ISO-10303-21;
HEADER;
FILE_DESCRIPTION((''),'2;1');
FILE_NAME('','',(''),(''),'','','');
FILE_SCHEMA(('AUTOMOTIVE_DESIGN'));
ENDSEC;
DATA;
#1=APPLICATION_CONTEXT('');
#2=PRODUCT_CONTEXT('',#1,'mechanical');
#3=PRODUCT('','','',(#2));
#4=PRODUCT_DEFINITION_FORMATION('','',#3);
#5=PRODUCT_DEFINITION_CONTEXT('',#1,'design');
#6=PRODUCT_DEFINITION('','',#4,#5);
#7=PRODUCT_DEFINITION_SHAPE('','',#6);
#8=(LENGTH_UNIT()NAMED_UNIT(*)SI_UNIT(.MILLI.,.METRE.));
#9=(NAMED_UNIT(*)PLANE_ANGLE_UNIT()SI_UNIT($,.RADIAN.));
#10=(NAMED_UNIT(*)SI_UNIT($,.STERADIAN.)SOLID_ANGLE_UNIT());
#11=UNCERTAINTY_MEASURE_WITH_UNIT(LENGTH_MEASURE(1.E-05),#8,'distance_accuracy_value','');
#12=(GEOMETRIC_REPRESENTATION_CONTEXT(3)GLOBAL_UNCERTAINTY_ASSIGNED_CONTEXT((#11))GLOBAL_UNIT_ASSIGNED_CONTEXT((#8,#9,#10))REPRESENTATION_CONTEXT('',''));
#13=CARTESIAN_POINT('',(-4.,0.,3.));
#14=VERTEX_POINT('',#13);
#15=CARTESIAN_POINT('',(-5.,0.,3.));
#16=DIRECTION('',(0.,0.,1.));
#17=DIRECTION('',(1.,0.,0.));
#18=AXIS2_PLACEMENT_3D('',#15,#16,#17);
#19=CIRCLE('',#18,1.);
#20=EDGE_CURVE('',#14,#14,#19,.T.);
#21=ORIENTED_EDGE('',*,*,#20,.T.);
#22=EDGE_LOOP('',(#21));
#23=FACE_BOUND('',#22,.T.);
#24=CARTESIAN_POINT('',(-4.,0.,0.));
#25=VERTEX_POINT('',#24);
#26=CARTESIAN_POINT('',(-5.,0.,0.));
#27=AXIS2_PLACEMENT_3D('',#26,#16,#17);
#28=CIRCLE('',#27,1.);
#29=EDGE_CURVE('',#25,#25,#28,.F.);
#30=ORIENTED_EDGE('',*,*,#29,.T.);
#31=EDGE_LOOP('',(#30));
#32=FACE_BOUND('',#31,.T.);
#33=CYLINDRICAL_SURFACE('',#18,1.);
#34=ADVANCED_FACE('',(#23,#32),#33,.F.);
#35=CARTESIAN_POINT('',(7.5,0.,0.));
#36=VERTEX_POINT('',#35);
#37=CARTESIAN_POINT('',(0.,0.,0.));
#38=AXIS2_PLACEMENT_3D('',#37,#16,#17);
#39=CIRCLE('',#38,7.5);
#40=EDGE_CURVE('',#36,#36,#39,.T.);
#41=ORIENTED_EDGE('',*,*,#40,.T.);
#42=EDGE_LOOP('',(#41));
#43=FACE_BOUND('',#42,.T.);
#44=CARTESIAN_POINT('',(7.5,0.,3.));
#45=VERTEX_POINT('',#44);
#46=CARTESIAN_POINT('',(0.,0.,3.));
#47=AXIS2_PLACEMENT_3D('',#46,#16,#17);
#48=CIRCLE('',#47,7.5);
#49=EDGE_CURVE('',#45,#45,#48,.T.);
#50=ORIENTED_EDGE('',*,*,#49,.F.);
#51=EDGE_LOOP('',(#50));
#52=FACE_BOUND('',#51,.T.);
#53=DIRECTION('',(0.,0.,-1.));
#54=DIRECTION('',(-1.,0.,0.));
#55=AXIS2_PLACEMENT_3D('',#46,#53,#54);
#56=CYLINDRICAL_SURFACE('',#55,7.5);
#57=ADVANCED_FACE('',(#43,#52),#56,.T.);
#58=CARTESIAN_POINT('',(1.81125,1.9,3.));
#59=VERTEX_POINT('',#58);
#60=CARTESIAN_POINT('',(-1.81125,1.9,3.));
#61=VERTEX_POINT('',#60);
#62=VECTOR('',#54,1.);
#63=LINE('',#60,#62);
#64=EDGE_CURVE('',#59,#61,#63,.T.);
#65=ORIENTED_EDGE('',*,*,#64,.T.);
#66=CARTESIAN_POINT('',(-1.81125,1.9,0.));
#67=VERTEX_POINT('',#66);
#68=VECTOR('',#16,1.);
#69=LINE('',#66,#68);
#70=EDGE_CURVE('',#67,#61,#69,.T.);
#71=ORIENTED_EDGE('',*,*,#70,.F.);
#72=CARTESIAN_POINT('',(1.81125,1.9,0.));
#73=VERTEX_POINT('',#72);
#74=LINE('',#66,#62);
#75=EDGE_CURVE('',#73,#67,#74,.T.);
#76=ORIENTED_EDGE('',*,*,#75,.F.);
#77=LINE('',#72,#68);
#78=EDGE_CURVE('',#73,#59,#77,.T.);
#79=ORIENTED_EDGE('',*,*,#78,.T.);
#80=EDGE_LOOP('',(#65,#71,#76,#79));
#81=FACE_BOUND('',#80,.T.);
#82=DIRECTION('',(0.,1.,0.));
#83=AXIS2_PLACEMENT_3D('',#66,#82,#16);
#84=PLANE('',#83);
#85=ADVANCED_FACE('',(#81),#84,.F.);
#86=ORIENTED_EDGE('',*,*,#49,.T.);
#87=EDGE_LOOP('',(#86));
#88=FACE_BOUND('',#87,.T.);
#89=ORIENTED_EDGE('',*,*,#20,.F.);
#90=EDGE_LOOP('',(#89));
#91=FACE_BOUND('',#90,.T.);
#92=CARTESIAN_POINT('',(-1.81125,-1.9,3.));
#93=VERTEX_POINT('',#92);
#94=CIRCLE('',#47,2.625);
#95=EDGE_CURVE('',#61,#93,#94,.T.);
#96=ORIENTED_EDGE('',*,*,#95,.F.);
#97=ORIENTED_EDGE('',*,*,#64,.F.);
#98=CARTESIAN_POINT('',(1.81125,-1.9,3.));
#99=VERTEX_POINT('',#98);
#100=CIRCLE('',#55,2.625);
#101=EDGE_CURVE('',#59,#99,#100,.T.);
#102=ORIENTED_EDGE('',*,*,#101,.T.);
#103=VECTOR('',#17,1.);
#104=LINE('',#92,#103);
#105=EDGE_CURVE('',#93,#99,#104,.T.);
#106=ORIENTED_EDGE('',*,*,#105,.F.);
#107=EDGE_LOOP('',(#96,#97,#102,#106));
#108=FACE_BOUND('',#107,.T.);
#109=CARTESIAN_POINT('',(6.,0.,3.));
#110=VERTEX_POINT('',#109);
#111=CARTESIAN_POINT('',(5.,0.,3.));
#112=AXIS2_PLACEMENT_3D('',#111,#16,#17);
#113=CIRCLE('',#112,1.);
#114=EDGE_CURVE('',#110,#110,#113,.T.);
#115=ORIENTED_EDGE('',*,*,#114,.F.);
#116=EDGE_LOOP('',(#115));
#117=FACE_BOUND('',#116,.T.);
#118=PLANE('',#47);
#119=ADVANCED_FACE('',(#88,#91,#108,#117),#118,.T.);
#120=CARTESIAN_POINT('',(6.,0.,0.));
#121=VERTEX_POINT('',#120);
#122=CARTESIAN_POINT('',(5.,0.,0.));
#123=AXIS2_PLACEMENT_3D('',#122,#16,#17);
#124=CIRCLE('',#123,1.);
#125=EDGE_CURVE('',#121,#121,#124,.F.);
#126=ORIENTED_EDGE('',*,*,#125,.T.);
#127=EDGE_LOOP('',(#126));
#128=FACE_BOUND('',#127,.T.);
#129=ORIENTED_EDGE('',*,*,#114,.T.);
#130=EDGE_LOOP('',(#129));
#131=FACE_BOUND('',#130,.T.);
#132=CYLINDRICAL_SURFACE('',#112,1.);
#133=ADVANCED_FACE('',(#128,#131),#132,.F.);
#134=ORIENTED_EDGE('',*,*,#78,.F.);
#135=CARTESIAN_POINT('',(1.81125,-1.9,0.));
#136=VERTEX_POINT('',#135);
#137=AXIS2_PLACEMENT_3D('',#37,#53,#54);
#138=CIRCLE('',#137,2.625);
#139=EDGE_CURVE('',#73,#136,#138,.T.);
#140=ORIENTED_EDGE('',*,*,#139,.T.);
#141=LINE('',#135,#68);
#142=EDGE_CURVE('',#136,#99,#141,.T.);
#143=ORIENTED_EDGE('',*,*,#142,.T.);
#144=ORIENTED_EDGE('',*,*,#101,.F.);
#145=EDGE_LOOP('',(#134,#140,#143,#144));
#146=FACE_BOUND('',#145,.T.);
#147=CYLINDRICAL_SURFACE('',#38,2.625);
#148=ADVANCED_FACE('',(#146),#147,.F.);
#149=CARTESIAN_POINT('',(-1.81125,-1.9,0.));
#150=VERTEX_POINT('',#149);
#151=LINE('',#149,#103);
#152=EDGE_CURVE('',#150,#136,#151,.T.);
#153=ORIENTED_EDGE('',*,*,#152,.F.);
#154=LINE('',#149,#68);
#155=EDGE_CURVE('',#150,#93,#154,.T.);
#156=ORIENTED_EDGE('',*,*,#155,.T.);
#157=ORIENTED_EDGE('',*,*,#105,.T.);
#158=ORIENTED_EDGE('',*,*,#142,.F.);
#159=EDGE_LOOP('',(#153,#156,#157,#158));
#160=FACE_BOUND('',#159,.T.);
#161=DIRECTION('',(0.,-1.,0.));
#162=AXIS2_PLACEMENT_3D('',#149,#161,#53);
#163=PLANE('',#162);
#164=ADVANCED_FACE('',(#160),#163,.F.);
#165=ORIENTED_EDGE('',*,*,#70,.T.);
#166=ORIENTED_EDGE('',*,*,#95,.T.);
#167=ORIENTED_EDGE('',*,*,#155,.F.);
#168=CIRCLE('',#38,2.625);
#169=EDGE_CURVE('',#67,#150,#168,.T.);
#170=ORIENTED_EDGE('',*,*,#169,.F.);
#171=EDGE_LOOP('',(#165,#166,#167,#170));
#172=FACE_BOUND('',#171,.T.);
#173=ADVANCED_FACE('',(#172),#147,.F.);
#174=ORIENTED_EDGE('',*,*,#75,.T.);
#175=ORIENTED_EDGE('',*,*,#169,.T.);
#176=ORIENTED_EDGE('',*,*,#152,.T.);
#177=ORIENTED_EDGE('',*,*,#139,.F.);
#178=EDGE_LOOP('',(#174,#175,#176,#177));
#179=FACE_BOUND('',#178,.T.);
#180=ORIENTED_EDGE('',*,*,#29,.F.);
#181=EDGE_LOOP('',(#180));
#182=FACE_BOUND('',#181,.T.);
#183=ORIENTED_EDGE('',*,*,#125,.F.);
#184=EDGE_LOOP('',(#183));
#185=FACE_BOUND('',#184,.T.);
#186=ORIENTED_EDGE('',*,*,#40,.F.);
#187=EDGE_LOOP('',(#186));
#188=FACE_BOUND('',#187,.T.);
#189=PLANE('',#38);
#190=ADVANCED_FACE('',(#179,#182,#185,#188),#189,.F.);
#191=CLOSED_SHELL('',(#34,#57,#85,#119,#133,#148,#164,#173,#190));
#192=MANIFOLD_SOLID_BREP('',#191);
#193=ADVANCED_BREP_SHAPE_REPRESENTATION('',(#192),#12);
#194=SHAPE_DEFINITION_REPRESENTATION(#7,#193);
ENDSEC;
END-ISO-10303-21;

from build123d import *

# Parameters (mm, degrees)
SKETCH1_R             = 7.5
BOSS_EXTRUDE1_DEPTH   = 3
CUT_EXTRUDE1_DEPTH    = 3
SKETCH6_W             = 1.811249569
SKETCH6_H             = 3.8
CUT_EXTRUDE2_DEPTH    = 3
F_2_0MM_DOWEL_HOLE1_D = 2


with BuildPart() as part:
    # Sketch1 → Boss-Extrude1 (new body)
    with BuildSketch(Plane.XY):
        Circle(SKETCH1_R)
    extrude(amount=BOSS_EXTRUDE1_DEPTH)

    # Sketch5 → Cut-Extrude1 (cut)
    with BuildSketch(Plane.XY.offset(3)):
        with BuildLine():
            Line((-1.811249569, 1.9), (-1.811249569, -1.9))
            ThreePointArc((-1.811249569, -1.9), (-2.625, 0), (-1.811249569, 1.9))
        make_face()
    cut_extrude1 = extrude(amount=-CUT_EXTRUDE1_DEPTH, mode=Mode.SUBTRACT)

    # Sketch6 → Cut-Extrude2 (cut)
    with BuildSketch(Plane.XY.offset(3)):
        with Locations((-0.905624785, 0)):
            Rectangle(SKETCH6_W, SKETCH6_H)
    cut_extrude2 = extrude(amount=-CUT_EXTRUDE2_DEPTH, mode=Mode.SUBTRACT)

    # Mirror1: Cut-Extrude1, Cut-Extrude2 across plane
    add(cut_extrude1.mirror(Plane(origin=(0, 0, 0), x_dir=(0, 0, 1), z_dir=(1, 0, 0))), mode=Mode.SUBTRACT)
    add(cut_extrude2.mirror(Plane(origin=(0, 0, 0), x_dir=(0, 0, 1), z_dir=(1, 0, 0))), mode=Mode.SUBTRACT)

    # Ø2.0mm Dowel Hole1 (through all)
    with Locations(Plane.XY.offset(3)):
        with Locations((5, 0), (-5, 0)):
            Hole(F_2_0MM_DOWEL_HOLE1_D / 2)


solid = part.part
